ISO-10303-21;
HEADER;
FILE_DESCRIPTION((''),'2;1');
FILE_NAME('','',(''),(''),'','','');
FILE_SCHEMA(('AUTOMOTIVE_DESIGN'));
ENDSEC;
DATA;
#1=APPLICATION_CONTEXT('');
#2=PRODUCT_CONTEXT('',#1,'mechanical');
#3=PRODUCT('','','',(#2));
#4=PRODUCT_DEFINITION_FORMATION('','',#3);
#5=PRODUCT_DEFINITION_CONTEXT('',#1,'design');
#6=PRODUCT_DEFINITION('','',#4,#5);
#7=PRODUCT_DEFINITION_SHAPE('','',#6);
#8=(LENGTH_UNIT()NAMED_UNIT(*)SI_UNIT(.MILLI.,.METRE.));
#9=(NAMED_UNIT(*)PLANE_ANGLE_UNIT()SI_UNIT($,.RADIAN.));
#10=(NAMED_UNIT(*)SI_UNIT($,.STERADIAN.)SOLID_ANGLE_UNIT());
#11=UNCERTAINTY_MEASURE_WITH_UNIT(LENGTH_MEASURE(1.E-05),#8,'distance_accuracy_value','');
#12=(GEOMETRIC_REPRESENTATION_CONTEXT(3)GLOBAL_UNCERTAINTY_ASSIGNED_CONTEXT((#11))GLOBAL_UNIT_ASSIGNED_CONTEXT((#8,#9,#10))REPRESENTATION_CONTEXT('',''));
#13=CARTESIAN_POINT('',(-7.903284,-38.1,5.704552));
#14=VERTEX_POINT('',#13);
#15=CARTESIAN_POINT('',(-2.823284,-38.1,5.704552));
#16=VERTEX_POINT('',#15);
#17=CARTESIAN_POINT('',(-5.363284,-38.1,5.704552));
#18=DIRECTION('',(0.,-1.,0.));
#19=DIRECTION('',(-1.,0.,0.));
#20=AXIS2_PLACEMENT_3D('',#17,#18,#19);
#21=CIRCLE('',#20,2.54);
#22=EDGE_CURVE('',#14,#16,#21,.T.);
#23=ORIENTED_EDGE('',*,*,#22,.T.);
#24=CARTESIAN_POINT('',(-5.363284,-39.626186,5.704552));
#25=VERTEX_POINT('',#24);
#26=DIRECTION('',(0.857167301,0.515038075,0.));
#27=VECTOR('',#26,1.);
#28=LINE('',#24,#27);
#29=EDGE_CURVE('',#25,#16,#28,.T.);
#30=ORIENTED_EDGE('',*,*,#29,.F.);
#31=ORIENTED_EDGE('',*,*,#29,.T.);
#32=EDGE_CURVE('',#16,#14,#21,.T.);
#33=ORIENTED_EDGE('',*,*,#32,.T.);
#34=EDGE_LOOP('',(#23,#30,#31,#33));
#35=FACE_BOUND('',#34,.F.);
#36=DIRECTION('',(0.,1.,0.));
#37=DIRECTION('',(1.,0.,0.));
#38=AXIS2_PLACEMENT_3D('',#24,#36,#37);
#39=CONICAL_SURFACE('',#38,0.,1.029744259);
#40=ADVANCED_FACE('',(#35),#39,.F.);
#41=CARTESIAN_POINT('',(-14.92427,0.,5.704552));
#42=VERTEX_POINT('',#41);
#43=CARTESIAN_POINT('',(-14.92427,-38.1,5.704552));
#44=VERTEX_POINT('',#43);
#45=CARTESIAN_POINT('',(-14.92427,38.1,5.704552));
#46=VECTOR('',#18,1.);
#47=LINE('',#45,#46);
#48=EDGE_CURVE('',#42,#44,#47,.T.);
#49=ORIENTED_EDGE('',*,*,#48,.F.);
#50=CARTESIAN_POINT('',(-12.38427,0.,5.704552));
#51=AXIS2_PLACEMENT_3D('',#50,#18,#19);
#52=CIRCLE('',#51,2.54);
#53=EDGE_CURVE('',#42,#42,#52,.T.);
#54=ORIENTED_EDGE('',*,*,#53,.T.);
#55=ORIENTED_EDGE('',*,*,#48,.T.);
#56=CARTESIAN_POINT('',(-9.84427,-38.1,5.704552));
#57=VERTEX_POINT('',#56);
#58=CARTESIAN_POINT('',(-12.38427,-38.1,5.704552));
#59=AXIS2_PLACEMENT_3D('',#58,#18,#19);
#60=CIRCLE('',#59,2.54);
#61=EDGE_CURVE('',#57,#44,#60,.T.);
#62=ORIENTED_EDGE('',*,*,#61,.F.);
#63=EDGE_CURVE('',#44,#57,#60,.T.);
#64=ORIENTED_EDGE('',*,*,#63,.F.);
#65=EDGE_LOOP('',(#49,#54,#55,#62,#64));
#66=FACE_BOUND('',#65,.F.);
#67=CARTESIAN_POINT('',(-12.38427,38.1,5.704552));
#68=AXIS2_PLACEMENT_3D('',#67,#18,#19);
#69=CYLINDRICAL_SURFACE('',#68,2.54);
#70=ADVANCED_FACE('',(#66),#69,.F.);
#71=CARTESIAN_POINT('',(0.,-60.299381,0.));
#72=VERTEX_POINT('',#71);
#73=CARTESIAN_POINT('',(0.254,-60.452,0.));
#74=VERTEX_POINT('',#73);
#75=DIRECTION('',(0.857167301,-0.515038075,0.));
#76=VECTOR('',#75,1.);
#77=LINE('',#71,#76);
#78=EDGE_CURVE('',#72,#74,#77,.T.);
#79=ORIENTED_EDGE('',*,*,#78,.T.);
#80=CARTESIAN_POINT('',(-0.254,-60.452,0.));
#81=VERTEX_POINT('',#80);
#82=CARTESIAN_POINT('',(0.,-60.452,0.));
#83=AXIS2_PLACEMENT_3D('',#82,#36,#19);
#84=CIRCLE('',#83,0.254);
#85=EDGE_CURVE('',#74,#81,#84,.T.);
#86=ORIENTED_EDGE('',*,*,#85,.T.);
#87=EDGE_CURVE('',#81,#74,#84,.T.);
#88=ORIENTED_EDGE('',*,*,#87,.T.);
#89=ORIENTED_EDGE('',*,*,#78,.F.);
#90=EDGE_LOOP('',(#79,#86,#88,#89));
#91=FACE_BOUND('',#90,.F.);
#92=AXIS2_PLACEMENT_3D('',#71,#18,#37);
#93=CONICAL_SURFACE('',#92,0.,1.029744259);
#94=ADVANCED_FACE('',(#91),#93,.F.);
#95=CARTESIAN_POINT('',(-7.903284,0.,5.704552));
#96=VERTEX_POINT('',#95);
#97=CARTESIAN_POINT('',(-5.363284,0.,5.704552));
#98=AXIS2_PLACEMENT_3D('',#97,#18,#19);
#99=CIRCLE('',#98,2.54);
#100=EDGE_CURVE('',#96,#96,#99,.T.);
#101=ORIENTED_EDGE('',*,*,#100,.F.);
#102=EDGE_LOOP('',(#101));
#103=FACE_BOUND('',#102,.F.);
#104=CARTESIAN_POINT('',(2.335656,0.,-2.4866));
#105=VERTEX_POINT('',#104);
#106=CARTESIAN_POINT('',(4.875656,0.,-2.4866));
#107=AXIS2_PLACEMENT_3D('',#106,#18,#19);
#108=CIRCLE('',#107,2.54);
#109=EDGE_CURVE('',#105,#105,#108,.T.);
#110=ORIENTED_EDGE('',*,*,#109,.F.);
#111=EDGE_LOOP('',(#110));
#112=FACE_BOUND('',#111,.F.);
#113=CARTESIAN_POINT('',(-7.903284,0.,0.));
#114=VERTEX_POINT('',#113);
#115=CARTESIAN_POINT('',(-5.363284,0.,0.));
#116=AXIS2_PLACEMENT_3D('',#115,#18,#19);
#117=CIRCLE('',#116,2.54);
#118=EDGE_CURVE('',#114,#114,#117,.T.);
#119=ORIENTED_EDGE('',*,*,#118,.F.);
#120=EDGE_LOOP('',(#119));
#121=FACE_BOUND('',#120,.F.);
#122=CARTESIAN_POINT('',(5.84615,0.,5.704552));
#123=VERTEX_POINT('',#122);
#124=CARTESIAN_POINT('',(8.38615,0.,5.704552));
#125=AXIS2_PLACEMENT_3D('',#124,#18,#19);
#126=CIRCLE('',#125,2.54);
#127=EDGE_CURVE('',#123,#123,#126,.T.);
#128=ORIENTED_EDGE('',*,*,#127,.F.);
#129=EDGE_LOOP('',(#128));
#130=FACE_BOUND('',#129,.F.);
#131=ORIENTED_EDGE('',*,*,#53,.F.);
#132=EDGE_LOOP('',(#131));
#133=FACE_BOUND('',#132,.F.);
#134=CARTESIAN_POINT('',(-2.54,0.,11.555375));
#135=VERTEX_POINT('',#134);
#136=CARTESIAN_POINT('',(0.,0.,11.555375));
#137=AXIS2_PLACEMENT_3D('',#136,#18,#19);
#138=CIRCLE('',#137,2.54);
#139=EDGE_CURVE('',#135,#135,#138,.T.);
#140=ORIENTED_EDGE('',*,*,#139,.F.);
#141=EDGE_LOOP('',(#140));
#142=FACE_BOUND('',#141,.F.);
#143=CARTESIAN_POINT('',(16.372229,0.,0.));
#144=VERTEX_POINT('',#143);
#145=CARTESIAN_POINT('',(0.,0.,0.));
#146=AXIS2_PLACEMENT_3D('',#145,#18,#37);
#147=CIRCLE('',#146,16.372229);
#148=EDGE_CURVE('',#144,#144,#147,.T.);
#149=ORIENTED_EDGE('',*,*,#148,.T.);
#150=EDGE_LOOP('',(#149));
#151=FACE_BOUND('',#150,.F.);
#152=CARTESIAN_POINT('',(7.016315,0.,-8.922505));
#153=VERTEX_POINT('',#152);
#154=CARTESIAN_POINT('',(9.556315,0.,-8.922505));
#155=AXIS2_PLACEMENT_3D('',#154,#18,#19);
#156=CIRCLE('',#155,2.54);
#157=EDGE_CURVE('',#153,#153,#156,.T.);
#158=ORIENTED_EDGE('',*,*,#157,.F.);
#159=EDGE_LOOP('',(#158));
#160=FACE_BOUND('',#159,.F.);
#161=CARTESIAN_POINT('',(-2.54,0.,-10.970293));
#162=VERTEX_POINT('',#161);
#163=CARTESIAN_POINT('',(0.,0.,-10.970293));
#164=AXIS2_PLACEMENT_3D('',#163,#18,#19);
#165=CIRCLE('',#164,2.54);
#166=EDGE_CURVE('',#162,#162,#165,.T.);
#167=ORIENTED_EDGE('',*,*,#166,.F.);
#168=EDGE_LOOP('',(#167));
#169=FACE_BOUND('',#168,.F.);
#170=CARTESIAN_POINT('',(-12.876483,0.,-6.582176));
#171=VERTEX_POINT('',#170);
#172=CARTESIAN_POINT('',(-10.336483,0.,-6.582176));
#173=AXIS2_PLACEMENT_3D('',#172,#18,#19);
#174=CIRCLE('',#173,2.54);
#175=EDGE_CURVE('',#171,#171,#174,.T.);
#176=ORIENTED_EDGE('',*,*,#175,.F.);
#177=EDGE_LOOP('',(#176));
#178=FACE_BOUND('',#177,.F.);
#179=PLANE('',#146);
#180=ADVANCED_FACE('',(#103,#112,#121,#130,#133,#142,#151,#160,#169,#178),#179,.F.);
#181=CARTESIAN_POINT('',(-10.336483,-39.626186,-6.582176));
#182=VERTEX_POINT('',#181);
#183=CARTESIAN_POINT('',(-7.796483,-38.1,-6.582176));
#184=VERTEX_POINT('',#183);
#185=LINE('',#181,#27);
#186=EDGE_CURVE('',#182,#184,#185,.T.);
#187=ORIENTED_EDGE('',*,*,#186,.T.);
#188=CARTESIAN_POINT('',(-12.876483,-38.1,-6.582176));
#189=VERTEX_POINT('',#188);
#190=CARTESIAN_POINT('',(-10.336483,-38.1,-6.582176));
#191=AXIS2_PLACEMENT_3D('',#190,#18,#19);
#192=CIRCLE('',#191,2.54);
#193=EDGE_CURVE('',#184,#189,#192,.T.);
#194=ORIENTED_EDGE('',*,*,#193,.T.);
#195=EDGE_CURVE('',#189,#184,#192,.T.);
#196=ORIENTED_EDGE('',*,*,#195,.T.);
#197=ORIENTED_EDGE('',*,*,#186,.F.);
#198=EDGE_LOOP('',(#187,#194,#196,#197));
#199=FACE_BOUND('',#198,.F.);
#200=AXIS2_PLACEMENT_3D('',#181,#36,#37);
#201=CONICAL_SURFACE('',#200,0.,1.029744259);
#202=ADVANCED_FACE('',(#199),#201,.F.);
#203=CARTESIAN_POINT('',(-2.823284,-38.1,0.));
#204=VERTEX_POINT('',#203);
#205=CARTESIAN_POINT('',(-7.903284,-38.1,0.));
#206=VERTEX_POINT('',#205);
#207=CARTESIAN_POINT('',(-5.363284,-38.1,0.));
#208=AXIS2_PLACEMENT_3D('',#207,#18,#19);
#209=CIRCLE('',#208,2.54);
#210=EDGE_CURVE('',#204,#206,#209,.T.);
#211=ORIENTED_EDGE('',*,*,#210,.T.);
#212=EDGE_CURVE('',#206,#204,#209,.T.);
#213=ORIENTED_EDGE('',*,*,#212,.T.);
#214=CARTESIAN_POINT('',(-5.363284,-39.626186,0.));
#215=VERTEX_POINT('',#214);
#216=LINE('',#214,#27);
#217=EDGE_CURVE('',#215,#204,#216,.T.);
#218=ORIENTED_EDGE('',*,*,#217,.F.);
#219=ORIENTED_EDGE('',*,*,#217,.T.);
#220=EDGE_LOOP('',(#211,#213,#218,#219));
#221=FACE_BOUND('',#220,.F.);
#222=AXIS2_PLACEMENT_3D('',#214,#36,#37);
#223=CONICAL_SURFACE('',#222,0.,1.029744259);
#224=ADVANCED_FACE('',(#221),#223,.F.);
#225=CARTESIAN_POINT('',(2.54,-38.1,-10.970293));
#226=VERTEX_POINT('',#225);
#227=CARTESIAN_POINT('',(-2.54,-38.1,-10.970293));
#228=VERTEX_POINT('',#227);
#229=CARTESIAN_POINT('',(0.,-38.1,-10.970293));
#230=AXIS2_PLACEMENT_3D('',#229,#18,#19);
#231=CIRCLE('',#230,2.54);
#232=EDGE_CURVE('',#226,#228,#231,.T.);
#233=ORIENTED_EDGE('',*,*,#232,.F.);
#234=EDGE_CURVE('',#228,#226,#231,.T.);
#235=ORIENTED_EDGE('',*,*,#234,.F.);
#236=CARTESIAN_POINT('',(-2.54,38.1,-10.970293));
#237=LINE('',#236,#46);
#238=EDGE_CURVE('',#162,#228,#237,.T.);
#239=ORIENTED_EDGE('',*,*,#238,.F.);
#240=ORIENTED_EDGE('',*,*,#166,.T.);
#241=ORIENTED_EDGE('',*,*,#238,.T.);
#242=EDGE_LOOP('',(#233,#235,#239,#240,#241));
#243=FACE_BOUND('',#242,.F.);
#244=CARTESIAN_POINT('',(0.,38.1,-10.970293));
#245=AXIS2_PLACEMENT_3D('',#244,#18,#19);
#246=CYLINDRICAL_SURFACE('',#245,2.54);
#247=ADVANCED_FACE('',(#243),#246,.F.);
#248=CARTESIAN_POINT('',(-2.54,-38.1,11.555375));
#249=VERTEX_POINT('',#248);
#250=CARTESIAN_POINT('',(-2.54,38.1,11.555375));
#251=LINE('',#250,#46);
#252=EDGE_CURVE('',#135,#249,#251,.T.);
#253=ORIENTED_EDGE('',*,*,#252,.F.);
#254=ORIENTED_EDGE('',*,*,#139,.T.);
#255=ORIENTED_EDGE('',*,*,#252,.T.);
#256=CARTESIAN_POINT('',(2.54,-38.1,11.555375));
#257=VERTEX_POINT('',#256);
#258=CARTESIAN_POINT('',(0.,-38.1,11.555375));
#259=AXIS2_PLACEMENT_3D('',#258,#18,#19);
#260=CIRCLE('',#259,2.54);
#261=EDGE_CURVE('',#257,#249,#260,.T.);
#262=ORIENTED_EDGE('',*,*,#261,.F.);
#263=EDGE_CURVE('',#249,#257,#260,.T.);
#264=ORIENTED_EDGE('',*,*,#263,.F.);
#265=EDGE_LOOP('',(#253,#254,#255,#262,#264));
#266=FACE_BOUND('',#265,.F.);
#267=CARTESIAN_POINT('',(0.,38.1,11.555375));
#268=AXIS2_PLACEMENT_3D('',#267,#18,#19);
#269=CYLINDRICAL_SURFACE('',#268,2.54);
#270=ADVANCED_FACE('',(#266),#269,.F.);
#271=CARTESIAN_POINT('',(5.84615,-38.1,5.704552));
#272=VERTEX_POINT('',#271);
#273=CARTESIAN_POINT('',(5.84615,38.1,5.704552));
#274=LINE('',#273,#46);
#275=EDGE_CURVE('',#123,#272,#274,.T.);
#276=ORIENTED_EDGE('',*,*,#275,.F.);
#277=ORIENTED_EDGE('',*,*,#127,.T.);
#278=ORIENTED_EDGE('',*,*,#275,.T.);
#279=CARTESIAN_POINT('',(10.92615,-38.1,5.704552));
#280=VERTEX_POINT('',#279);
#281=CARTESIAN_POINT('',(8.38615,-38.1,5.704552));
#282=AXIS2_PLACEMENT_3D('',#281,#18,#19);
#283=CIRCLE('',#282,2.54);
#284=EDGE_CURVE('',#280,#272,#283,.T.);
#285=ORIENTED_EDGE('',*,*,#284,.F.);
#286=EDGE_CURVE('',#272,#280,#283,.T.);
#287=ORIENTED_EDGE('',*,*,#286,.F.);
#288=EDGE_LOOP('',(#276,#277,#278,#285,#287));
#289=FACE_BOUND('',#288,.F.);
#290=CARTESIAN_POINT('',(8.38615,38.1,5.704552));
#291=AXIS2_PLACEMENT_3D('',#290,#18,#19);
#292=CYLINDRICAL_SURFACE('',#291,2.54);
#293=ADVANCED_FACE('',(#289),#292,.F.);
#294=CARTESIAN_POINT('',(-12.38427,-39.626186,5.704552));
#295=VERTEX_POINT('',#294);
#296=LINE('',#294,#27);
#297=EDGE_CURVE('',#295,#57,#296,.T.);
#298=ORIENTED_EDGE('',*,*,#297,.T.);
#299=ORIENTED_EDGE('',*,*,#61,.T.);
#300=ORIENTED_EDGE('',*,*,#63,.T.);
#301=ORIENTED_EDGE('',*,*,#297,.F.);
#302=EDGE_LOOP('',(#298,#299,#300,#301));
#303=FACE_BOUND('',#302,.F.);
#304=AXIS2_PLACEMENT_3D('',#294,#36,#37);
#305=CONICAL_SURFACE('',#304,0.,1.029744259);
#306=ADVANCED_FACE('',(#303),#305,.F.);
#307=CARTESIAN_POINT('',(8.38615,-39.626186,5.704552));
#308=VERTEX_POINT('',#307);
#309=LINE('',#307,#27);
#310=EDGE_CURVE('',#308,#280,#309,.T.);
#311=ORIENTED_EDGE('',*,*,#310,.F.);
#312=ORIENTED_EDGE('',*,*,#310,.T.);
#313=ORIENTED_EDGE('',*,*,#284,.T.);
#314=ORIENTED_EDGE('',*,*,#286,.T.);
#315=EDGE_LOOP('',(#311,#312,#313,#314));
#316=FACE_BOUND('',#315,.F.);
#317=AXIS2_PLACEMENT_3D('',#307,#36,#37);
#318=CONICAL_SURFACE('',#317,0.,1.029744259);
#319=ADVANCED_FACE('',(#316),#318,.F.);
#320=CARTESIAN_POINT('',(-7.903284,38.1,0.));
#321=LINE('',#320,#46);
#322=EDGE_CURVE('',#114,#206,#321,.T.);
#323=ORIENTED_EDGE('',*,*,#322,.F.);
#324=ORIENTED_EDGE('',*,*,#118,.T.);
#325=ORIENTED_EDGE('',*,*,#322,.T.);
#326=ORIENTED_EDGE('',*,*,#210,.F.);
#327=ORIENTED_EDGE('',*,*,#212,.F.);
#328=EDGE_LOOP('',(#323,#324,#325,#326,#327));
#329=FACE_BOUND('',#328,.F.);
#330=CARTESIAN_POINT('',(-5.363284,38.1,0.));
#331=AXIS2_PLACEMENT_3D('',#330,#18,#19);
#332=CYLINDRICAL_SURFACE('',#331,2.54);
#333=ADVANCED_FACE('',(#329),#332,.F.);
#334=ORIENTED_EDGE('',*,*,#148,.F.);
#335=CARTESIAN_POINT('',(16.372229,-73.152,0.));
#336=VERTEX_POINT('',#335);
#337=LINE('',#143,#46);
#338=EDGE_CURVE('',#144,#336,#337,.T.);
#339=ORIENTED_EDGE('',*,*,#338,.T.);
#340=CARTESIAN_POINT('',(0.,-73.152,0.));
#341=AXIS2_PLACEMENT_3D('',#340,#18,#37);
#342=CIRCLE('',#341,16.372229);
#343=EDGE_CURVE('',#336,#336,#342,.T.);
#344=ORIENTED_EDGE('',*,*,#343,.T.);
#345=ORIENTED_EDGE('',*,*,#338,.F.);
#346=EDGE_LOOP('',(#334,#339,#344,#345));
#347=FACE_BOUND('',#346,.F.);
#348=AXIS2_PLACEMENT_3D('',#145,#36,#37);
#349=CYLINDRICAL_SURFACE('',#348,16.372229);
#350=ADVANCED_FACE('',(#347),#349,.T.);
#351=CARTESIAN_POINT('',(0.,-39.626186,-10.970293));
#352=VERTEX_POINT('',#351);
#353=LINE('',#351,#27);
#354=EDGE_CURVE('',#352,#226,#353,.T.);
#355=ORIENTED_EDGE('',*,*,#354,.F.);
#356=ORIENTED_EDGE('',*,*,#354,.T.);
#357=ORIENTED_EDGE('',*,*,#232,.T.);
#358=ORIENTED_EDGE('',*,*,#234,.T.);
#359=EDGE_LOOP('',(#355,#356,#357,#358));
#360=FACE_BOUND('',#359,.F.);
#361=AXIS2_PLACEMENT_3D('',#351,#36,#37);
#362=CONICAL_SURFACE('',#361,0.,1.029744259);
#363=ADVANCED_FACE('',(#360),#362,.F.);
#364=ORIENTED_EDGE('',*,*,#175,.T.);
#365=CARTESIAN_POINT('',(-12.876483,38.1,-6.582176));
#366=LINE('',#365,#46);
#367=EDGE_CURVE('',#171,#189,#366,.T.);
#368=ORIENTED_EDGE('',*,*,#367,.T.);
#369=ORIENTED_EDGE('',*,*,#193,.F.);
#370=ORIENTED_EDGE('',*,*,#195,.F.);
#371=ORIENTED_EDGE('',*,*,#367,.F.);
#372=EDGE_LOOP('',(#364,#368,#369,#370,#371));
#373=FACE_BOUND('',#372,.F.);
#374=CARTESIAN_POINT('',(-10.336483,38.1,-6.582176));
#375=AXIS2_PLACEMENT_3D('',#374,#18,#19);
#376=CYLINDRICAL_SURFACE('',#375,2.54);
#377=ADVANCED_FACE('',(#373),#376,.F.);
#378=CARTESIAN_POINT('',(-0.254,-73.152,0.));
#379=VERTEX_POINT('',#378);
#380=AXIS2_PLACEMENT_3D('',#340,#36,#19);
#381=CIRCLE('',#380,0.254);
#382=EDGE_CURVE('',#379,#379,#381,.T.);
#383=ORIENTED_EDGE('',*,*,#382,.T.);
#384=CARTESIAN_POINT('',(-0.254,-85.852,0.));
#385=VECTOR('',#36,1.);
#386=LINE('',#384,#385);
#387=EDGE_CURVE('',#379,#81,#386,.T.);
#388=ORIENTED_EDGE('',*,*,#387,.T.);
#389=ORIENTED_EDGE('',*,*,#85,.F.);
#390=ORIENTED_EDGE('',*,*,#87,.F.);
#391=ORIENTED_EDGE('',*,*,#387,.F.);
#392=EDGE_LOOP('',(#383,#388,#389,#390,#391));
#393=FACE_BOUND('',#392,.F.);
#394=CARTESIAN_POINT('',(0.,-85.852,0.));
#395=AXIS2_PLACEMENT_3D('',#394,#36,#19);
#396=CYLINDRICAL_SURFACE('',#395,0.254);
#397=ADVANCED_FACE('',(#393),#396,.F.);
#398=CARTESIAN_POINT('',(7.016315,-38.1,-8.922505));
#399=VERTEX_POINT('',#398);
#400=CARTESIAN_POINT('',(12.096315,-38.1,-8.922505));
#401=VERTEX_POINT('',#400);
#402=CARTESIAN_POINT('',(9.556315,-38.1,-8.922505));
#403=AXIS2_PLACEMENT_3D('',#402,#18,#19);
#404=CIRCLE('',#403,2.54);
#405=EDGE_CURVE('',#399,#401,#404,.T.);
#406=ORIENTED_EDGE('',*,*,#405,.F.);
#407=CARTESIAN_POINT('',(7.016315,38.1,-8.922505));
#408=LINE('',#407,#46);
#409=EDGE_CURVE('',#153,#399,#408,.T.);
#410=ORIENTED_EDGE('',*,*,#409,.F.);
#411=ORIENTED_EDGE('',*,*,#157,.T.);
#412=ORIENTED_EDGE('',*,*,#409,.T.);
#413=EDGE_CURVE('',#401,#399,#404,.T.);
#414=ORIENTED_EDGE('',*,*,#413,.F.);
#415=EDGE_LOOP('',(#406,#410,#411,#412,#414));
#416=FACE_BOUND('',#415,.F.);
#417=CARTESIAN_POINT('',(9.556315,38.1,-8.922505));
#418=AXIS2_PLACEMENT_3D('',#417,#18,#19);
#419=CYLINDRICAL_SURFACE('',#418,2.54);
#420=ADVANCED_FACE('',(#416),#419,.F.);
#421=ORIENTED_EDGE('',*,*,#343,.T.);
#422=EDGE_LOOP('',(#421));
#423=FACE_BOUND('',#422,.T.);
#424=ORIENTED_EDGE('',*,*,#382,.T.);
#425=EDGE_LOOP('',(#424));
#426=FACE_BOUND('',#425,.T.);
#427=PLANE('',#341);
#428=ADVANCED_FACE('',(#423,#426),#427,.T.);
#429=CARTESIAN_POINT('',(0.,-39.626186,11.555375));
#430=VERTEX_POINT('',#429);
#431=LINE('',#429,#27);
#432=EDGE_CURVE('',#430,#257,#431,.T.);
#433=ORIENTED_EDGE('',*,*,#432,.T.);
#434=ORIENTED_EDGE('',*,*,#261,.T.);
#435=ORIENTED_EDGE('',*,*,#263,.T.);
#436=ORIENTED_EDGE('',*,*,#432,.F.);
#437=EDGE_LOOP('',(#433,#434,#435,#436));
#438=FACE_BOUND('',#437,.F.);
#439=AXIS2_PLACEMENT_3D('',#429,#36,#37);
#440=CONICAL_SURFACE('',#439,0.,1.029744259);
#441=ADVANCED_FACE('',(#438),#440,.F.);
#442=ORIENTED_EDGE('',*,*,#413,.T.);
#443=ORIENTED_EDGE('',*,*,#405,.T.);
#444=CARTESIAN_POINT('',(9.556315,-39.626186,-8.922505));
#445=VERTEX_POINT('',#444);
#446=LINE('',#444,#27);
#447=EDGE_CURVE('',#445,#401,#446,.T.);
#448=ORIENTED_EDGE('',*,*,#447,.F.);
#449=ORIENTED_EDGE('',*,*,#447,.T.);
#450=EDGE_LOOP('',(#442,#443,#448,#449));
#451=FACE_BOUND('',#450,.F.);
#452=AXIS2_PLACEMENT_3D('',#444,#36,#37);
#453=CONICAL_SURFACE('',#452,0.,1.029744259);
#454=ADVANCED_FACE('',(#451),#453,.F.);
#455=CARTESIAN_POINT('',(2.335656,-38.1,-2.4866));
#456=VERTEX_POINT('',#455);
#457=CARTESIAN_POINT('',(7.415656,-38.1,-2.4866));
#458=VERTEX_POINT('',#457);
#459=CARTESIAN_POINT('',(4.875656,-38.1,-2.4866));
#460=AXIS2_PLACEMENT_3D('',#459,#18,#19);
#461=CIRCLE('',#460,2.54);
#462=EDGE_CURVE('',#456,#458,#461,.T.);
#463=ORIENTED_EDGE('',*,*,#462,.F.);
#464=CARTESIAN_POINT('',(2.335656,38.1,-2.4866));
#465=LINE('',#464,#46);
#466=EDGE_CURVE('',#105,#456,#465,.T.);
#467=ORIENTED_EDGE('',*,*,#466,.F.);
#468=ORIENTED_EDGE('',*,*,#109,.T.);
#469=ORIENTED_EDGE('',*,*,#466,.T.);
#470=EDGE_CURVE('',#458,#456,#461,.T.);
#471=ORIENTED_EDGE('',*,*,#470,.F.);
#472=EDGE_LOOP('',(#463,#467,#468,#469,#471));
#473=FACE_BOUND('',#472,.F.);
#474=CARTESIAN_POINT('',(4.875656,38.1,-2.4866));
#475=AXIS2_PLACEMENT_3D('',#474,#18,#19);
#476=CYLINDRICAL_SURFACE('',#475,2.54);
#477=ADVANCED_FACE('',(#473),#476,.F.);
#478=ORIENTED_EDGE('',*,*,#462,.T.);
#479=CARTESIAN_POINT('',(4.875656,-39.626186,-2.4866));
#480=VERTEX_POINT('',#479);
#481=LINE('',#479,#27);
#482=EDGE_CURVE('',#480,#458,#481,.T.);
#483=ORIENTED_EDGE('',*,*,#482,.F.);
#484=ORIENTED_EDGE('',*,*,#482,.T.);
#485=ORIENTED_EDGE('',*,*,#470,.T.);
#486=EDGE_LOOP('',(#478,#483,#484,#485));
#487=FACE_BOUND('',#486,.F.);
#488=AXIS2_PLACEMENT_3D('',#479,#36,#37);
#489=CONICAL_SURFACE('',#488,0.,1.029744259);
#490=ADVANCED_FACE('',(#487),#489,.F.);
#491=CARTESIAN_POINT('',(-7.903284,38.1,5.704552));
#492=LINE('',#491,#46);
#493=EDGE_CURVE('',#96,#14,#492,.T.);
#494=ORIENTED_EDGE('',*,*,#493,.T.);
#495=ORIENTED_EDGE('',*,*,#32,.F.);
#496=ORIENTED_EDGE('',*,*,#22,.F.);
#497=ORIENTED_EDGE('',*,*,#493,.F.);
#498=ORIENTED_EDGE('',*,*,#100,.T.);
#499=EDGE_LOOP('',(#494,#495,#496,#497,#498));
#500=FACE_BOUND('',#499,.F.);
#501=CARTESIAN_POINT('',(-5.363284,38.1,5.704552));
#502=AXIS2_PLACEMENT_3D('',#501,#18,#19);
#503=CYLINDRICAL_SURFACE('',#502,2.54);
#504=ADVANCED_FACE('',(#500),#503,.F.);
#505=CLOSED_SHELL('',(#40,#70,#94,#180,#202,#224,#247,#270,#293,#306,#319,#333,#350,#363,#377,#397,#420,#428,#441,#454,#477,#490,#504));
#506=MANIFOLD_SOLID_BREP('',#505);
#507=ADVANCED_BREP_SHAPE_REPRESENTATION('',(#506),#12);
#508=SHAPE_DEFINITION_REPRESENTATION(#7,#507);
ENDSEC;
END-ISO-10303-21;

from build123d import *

# Parameters (mm, degrees)
F0_R     = 16.3722286136
F1_DEPTH = 73.152
F3_D     = 0.508
F3_DEPTH = 12.7
F3_TIP   = 0.1526185972
F5_D     = 5.08
F5_DEPTH = 38.1
F5_TIP   = 1.5261859723


with BuildPart() as f1:
    # F0 (on Front) → F1 (new body)
    with BuildSketch(Plane.XZ):
        Circle(F0_R)
    extrude(amount=F1_DEPTH)

    # F3
    with Locations(Plane.XZ.offset(73.152)):
        with Locations((0, 0)):
            Hole(F3_D / 2, depth=F3_DEPTH)
            with Locations((0, 0, -(F3_DEPTH + F3_TIP / 2))):  # 118° drill point
                Cone(0, F3_D / 2, F3_TIP, mode=Mode.SUBTRACT)

    # F5
    with Locations(Plane(origin=(0, 0, 0), x_dir=(1, 0, 0), z_dir=(0, 1, 0))):
        with Locations((-12.3842703179, -5.7045519352), (-5.3632836789, -5.7045519352), (0, -11.5553746), (8.3861500025, -5.7045519352), (-5.3632836789, 0), (4.8756562173, 2.4865996093), (9.556314908, 8.9225051925), (0, 10.9702926129), (-10.3364828974, 6.5821758471)):
            Hole(F5_D / 2, depth=F5_DEPTH)
            with Locations((0, 0, -(F5_DEPTH + F5_TIP / 2))):  # 118° drill point
                Cone(0, F5_D / 2, F5_TIP, mode=Mode.SUBTRACT)


solid = f1.part
